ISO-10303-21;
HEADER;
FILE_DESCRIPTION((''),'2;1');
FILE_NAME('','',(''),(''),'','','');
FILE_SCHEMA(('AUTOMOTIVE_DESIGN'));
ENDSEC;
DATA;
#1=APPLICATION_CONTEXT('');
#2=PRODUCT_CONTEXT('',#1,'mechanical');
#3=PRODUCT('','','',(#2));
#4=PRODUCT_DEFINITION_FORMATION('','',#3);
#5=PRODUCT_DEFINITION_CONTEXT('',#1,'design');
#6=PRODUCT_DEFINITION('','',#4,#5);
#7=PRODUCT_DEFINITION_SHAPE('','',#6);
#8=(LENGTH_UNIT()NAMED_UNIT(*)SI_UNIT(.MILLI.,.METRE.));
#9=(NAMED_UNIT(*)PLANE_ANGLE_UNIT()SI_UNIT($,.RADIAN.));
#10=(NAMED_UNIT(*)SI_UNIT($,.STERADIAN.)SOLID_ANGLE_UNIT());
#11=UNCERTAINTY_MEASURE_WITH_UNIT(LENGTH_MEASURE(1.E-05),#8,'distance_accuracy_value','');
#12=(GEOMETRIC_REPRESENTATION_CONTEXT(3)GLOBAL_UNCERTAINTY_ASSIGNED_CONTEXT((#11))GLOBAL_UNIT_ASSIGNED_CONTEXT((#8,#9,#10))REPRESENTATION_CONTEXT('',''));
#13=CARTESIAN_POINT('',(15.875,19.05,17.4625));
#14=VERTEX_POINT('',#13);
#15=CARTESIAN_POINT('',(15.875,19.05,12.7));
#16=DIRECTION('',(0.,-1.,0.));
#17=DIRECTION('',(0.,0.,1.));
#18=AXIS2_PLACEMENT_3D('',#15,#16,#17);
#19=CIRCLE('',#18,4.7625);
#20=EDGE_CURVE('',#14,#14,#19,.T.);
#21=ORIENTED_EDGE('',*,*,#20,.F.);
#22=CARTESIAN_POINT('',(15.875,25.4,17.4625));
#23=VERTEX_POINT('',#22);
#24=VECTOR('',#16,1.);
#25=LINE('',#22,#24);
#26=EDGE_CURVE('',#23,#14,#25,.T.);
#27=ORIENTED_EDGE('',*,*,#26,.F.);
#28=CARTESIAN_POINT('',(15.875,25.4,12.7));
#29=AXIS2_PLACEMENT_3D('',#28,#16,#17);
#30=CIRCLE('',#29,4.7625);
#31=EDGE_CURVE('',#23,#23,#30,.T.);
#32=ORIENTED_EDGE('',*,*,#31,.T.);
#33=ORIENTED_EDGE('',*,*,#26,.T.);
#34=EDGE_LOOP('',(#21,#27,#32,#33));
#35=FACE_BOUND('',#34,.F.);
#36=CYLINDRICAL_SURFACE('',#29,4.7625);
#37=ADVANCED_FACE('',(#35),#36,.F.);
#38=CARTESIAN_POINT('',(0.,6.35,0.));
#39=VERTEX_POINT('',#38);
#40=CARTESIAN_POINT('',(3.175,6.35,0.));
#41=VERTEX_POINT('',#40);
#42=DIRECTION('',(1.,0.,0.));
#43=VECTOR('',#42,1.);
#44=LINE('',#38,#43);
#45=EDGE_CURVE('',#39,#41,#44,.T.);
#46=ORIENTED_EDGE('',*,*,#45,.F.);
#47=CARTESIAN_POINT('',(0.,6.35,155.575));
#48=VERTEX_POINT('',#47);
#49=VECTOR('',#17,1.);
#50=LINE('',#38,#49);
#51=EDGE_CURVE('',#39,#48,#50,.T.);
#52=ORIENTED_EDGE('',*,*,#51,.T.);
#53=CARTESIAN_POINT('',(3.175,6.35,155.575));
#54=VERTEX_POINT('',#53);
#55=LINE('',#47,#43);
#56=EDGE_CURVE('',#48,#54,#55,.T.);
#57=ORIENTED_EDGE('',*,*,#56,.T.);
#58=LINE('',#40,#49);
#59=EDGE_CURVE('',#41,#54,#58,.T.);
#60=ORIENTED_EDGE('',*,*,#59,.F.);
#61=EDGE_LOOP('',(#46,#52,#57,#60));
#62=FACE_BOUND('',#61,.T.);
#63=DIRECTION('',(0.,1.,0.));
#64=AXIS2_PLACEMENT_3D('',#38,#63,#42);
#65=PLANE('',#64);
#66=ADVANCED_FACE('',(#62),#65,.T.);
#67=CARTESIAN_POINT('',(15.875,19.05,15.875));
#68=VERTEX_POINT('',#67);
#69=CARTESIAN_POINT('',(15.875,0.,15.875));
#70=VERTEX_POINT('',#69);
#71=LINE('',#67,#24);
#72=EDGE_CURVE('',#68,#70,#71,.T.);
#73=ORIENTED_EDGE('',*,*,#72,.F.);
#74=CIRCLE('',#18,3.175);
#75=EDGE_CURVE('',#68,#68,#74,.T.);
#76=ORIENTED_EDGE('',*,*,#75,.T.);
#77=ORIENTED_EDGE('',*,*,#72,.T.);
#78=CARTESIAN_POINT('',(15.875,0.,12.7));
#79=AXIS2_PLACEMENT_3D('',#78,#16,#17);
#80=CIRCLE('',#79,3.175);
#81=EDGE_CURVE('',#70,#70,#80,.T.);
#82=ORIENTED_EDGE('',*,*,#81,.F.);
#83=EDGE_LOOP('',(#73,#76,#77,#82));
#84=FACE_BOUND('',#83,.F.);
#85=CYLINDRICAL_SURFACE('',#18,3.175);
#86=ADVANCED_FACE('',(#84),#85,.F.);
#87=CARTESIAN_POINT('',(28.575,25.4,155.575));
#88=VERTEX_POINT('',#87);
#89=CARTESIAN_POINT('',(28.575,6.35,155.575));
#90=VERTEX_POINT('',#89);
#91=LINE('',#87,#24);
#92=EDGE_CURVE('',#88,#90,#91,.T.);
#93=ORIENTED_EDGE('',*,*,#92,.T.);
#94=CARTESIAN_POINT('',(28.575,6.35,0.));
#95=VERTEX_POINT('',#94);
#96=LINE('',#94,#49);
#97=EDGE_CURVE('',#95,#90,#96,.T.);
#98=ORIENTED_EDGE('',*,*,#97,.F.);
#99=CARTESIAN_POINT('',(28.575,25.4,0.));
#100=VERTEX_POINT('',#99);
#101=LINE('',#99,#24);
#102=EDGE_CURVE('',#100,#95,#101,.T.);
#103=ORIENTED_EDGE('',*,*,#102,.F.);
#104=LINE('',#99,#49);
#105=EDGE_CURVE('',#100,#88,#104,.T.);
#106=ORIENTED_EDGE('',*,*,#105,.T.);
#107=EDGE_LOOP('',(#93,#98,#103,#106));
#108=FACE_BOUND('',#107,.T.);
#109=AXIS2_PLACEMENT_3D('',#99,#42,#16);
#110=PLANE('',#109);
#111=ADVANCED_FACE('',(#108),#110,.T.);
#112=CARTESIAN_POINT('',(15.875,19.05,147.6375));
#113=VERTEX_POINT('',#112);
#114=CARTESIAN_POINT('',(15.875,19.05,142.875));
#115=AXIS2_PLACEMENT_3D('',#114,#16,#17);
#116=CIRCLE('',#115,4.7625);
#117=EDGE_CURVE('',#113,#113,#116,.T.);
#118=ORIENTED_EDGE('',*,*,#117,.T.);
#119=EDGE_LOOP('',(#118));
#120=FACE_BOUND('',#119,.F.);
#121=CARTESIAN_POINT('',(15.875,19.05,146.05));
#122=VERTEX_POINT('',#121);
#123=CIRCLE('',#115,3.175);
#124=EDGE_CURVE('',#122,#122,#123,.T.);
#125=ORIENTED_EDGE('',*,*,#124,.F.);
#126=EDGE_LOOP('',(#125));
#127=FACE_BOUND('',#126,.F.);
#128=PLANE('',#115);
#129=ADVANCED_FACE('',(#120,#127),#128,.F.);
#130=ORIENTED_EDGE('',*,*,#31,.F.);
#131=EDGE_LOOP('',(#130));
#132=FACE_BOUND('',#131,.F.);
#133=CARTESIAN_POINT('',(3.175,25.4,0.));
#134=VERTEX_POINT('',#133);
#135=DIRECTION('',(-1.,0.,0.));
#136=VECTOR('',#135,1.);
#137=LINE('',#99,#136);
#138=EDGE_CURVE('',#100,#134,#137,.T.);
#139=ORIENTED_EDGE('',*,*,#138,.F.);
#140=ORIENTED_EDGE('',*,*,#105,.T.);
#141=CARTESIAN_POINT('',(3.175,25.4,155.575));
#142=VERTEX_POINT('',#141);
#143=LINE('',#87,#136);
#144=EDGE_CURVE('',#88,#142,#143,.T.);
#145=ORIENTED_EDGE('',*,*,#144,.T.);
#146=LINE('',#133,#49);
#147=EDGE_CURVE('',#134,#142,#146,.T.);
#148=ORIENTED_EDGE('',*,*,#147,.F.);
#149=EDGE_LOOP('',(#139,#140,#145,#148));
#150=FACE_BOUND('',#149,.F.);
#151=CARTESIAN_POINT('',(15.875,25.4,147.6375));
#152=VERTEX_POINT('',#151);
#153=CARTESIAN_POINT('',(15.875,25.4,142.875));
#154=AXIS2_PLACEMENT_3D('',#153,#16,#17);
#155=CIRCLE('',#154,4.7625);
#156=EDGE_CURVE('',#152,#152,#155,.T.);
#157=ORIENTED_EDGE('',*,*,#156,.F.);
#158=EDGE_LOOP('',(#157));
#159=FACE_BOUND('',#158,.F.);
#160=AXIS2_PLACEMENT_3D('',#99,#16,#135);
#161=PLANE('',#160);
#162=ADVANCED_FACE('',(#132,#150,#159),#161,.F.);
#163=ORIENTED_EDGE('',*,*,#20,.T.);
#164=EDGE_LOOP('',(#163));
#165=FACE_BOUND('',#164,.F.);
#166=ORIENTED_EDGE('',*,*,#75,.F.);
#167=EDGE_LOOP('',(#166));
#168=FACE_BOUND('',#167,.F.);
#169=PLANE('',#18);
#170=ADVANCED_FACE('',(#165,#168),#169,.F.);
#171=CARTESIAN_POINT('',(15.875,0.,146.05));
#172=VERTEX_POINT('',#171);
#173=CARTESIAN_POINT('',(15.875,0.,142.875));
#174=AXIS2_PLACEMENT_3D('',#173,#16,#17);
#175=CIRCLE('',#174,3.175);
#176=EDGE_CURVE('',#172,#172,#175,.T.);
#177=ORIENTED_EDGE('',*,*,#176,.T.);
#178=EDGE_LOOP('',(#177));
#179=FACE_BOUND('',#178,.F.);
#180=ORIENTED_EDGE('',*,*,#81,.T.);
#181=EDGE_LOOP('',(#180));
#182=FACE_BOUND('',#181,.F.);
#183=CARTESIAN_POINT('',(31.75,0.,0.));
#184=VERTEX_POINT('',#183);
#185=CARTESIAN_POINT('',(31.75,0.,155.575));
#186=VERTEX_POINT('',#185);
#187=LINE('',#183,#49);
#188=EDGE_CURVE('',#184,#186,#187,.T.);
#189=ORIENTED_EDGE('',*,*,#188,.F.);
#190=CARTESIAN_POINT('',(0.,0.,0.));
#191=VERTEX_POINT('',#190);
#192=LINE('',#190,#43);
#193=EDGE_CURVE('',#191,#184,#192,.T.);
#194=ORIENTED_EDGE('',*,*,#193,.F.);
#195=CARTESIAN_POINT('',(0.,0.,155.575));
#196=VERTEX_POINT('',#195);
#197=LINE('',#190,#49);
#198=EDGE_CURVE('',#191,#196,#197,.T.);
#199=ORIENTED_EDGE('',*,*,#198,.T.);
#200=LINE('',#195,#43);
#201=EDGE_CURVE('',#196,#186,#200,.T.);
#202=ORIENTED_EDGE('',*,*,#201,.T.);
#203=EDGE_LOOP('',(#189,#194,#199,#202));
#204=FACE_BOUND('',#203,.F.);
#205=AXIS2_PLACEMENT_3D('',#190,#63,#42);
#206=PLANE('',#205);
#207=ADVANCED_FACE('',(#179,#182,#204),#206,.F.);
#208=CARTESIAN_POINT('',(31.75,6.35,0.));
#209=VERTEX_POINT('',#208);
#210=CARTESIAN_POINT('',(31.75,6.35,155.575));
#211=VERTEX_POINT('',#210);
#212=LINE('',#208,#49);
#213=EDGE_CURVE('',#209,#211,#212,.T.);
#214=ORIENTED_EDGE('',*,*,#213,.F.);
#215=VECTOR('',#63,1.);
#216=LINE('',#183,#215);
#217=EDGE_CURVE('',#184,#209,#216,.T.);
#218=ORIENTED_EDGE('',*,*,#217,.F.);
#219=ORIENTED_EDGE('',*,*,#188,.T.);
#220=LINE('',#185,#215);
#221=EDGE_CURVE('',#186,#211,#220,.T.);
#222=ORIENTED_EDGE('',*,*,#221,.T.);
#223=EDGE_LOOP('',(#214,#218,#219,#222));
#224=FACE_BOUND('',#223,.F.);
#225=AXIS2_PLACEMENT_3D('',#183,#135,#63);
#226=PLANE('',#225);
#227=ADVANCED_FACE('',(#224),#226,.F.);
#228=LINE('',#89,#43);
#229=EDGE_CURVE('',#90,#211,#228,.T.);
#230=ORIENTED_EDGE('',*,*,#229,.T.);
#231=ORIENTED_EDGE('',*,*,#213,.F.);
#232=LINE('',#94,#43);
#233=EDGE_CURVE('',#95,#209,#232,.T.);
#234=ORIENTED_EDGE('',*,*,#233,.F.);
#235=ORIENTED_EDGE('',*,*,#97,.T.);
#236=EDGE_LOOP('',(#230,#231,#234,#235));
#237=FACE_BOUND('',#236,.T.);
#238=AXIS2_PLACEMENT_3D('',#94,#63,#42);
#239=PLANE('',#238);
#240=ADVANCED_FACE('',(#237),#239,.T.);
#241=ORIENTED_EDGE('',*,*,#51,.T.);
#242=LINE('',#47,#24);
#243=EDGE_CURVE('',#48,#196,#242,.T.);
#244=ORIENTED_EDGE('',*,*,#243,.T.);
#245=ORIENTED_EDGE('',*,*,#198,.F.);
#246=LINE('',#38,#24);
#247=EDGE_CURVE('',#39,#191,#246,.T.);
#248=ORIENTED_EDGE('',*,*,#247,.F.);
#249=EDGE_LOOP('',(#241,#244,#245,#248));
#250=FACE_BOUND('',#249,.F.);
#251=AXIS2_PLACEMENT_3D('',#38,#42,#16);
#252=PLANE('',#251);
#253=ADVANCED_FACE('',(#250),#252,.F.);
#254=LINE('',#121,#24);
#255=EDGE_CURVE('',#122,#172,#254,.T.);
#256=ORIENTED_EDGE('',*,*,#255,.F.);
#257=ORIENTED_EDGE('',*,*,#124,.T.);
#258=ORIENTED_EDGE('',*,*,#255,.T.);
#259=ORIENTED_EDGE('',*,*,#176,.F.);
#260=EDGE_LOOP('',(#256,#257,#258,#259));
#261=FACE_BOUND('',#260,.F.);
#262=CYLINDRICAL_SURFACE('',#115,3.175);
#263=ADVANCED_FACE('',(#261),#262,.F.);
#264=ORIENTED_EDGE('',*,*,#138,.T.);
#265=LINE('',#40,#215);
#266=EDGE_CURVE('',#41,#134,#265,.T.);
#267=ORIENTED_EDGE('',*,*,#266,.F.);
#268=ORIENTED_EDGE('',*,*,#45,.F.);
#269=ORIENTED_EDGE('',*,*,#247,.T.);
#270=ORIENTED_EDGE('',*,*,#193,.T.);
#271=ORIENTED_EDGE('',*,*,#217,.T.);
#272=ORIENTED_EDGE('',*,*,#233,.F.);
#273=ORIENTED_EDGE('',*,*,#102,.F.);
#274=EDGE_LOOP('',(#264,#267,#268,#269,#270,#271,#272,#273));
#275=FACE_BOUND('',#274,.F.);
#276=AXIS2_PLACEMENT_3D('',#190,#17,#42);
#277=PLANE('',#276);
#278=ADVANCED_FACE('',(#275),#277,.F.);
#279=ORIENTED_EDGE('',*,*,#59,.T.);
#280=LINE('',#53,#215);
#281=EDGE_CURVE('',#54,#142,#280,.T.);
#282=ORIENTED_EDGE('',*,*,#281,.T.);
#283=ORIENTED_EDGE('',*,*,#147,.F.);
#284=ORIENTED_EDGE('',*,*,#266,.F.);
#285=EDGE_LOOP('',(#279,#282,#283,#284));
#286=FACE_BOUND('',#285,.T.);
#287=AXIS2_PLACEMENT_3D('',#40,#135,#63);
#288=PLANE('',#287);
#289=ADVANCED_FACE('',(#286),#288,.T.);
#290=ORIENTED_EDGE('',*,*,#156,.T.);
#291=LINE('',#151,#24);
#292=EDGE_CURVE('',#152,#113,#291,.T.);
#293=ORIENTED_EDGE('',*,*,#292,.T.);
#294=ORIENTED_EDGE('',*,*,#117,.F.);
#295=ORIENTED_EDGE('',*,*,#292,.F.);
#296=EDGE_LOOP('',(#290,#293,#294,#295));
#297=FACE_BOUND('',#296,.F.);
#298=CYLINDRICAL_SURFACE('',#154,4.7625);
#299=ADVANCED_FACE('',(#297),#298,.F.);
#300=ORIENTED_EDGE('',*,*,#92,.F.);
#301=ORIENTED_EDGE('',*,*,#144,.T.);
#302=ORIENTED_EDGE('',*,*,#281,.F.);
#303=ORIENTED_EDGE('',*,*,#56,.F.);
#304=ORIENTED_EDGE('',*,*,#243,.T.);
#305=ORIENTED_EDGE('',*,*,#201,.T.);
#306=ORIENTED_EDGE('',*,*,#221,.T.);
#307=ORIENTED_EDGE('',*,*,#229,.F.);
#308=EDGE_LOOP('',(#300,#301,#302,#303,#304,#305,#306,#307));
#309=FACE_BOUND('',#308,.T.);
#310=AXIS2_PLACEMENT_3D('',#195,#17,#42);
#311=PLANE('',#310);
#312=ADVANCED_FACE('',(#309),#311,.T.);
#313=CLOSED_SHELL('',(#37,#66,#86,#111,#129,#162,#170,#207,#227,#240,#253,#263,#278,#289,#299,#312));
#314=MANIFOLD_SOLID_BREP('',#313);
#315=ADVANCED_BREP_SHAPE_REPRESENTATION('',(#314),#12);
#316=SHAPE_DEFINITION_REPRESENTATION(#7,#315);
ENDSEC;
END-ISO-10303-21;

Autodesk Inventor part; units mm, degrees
ref_plane "YZ Plane" through (0, 0, 0) normal (1, 0, 0) x (0, 1, 0)
ref_plane "XZ Plane" through (0, 0, 0) normal (0, 1, 0) x (-1, 0, 0)
ref_plane "XY Plane" through (0, 0, 0) normal (0, 0, 1) x (1, 0, 0)
sketch "Sketch1" plane through (0, 0, 0) normal (0, 0, 1) x (1, 0, 0)
  line L0 (0, 0) -> (31.75, 0)
  line L1 (31.75, 0) -> (31.75, 6.35)
  line L2 (31.75, 25.4) -> (28.575, 25.4) construction
  line L3 (0, 25.4) -> (0, 6.35) construction
  line L4 (0, 6.35) -> (3.175, 6.35)
  line L5 (3.175, 6.35) -> (3.175, 25.4)
  line L6 (28.575, 25.4) -> (28.575, 6.35)
  line L7 (28.575, 6.35) -> (31.75, 6.35)
  line L8 (0, 6.35) -> (0, 0)
  line L9 (3.175, 25.4) -> (0, 25.4) construction
  line L10 (28.575, 25.4) -> (3.175, 25.4)
  line L11 (31.75, 6.35) -> (31.75, 25.4) construction
  dimension "d0" = 31.75
  dimension "d1" = 25.4
  dimension "d2" = 6.35
  dimension "d3" = 3.175
extrude "Extrusion1" add sketch "Sketch1" along normal blind 155.575
sketch "Sketch2" plane through (3.175, 25.4, 0) normal (0, 1, 0) x (1, 0, 0)
  line L0 (0, -155.575) -> (25.4, -155.575) projected
  line L1 (25.4, 0) -> (25.4, -155.575) projected
  line L2 (25.4, 0) -> (0, 0) projected
  line L3 (0, 0) -> (0, -155.575) projected
  point P0 (-3.175, 0)
  point P1 (12.7, -142.875)
  point P2 (12.7, -12.7)
  dimension "d6" = 12.7
  dimension "d7" = 12.7
  dimension "d8" = 12.7
  dimension "d9" = 12.7
hole "Hole1" at (15.875, 25.4, 142.875) at (15.875, 25.4, 12.7) direction (0, -1, 0) diameter 6.35 end through all counterbore diameter 9.525 counterbore depth 6.35
equation "\"d9\" = d6"
properties part number "8 ball plastic slider 2"
